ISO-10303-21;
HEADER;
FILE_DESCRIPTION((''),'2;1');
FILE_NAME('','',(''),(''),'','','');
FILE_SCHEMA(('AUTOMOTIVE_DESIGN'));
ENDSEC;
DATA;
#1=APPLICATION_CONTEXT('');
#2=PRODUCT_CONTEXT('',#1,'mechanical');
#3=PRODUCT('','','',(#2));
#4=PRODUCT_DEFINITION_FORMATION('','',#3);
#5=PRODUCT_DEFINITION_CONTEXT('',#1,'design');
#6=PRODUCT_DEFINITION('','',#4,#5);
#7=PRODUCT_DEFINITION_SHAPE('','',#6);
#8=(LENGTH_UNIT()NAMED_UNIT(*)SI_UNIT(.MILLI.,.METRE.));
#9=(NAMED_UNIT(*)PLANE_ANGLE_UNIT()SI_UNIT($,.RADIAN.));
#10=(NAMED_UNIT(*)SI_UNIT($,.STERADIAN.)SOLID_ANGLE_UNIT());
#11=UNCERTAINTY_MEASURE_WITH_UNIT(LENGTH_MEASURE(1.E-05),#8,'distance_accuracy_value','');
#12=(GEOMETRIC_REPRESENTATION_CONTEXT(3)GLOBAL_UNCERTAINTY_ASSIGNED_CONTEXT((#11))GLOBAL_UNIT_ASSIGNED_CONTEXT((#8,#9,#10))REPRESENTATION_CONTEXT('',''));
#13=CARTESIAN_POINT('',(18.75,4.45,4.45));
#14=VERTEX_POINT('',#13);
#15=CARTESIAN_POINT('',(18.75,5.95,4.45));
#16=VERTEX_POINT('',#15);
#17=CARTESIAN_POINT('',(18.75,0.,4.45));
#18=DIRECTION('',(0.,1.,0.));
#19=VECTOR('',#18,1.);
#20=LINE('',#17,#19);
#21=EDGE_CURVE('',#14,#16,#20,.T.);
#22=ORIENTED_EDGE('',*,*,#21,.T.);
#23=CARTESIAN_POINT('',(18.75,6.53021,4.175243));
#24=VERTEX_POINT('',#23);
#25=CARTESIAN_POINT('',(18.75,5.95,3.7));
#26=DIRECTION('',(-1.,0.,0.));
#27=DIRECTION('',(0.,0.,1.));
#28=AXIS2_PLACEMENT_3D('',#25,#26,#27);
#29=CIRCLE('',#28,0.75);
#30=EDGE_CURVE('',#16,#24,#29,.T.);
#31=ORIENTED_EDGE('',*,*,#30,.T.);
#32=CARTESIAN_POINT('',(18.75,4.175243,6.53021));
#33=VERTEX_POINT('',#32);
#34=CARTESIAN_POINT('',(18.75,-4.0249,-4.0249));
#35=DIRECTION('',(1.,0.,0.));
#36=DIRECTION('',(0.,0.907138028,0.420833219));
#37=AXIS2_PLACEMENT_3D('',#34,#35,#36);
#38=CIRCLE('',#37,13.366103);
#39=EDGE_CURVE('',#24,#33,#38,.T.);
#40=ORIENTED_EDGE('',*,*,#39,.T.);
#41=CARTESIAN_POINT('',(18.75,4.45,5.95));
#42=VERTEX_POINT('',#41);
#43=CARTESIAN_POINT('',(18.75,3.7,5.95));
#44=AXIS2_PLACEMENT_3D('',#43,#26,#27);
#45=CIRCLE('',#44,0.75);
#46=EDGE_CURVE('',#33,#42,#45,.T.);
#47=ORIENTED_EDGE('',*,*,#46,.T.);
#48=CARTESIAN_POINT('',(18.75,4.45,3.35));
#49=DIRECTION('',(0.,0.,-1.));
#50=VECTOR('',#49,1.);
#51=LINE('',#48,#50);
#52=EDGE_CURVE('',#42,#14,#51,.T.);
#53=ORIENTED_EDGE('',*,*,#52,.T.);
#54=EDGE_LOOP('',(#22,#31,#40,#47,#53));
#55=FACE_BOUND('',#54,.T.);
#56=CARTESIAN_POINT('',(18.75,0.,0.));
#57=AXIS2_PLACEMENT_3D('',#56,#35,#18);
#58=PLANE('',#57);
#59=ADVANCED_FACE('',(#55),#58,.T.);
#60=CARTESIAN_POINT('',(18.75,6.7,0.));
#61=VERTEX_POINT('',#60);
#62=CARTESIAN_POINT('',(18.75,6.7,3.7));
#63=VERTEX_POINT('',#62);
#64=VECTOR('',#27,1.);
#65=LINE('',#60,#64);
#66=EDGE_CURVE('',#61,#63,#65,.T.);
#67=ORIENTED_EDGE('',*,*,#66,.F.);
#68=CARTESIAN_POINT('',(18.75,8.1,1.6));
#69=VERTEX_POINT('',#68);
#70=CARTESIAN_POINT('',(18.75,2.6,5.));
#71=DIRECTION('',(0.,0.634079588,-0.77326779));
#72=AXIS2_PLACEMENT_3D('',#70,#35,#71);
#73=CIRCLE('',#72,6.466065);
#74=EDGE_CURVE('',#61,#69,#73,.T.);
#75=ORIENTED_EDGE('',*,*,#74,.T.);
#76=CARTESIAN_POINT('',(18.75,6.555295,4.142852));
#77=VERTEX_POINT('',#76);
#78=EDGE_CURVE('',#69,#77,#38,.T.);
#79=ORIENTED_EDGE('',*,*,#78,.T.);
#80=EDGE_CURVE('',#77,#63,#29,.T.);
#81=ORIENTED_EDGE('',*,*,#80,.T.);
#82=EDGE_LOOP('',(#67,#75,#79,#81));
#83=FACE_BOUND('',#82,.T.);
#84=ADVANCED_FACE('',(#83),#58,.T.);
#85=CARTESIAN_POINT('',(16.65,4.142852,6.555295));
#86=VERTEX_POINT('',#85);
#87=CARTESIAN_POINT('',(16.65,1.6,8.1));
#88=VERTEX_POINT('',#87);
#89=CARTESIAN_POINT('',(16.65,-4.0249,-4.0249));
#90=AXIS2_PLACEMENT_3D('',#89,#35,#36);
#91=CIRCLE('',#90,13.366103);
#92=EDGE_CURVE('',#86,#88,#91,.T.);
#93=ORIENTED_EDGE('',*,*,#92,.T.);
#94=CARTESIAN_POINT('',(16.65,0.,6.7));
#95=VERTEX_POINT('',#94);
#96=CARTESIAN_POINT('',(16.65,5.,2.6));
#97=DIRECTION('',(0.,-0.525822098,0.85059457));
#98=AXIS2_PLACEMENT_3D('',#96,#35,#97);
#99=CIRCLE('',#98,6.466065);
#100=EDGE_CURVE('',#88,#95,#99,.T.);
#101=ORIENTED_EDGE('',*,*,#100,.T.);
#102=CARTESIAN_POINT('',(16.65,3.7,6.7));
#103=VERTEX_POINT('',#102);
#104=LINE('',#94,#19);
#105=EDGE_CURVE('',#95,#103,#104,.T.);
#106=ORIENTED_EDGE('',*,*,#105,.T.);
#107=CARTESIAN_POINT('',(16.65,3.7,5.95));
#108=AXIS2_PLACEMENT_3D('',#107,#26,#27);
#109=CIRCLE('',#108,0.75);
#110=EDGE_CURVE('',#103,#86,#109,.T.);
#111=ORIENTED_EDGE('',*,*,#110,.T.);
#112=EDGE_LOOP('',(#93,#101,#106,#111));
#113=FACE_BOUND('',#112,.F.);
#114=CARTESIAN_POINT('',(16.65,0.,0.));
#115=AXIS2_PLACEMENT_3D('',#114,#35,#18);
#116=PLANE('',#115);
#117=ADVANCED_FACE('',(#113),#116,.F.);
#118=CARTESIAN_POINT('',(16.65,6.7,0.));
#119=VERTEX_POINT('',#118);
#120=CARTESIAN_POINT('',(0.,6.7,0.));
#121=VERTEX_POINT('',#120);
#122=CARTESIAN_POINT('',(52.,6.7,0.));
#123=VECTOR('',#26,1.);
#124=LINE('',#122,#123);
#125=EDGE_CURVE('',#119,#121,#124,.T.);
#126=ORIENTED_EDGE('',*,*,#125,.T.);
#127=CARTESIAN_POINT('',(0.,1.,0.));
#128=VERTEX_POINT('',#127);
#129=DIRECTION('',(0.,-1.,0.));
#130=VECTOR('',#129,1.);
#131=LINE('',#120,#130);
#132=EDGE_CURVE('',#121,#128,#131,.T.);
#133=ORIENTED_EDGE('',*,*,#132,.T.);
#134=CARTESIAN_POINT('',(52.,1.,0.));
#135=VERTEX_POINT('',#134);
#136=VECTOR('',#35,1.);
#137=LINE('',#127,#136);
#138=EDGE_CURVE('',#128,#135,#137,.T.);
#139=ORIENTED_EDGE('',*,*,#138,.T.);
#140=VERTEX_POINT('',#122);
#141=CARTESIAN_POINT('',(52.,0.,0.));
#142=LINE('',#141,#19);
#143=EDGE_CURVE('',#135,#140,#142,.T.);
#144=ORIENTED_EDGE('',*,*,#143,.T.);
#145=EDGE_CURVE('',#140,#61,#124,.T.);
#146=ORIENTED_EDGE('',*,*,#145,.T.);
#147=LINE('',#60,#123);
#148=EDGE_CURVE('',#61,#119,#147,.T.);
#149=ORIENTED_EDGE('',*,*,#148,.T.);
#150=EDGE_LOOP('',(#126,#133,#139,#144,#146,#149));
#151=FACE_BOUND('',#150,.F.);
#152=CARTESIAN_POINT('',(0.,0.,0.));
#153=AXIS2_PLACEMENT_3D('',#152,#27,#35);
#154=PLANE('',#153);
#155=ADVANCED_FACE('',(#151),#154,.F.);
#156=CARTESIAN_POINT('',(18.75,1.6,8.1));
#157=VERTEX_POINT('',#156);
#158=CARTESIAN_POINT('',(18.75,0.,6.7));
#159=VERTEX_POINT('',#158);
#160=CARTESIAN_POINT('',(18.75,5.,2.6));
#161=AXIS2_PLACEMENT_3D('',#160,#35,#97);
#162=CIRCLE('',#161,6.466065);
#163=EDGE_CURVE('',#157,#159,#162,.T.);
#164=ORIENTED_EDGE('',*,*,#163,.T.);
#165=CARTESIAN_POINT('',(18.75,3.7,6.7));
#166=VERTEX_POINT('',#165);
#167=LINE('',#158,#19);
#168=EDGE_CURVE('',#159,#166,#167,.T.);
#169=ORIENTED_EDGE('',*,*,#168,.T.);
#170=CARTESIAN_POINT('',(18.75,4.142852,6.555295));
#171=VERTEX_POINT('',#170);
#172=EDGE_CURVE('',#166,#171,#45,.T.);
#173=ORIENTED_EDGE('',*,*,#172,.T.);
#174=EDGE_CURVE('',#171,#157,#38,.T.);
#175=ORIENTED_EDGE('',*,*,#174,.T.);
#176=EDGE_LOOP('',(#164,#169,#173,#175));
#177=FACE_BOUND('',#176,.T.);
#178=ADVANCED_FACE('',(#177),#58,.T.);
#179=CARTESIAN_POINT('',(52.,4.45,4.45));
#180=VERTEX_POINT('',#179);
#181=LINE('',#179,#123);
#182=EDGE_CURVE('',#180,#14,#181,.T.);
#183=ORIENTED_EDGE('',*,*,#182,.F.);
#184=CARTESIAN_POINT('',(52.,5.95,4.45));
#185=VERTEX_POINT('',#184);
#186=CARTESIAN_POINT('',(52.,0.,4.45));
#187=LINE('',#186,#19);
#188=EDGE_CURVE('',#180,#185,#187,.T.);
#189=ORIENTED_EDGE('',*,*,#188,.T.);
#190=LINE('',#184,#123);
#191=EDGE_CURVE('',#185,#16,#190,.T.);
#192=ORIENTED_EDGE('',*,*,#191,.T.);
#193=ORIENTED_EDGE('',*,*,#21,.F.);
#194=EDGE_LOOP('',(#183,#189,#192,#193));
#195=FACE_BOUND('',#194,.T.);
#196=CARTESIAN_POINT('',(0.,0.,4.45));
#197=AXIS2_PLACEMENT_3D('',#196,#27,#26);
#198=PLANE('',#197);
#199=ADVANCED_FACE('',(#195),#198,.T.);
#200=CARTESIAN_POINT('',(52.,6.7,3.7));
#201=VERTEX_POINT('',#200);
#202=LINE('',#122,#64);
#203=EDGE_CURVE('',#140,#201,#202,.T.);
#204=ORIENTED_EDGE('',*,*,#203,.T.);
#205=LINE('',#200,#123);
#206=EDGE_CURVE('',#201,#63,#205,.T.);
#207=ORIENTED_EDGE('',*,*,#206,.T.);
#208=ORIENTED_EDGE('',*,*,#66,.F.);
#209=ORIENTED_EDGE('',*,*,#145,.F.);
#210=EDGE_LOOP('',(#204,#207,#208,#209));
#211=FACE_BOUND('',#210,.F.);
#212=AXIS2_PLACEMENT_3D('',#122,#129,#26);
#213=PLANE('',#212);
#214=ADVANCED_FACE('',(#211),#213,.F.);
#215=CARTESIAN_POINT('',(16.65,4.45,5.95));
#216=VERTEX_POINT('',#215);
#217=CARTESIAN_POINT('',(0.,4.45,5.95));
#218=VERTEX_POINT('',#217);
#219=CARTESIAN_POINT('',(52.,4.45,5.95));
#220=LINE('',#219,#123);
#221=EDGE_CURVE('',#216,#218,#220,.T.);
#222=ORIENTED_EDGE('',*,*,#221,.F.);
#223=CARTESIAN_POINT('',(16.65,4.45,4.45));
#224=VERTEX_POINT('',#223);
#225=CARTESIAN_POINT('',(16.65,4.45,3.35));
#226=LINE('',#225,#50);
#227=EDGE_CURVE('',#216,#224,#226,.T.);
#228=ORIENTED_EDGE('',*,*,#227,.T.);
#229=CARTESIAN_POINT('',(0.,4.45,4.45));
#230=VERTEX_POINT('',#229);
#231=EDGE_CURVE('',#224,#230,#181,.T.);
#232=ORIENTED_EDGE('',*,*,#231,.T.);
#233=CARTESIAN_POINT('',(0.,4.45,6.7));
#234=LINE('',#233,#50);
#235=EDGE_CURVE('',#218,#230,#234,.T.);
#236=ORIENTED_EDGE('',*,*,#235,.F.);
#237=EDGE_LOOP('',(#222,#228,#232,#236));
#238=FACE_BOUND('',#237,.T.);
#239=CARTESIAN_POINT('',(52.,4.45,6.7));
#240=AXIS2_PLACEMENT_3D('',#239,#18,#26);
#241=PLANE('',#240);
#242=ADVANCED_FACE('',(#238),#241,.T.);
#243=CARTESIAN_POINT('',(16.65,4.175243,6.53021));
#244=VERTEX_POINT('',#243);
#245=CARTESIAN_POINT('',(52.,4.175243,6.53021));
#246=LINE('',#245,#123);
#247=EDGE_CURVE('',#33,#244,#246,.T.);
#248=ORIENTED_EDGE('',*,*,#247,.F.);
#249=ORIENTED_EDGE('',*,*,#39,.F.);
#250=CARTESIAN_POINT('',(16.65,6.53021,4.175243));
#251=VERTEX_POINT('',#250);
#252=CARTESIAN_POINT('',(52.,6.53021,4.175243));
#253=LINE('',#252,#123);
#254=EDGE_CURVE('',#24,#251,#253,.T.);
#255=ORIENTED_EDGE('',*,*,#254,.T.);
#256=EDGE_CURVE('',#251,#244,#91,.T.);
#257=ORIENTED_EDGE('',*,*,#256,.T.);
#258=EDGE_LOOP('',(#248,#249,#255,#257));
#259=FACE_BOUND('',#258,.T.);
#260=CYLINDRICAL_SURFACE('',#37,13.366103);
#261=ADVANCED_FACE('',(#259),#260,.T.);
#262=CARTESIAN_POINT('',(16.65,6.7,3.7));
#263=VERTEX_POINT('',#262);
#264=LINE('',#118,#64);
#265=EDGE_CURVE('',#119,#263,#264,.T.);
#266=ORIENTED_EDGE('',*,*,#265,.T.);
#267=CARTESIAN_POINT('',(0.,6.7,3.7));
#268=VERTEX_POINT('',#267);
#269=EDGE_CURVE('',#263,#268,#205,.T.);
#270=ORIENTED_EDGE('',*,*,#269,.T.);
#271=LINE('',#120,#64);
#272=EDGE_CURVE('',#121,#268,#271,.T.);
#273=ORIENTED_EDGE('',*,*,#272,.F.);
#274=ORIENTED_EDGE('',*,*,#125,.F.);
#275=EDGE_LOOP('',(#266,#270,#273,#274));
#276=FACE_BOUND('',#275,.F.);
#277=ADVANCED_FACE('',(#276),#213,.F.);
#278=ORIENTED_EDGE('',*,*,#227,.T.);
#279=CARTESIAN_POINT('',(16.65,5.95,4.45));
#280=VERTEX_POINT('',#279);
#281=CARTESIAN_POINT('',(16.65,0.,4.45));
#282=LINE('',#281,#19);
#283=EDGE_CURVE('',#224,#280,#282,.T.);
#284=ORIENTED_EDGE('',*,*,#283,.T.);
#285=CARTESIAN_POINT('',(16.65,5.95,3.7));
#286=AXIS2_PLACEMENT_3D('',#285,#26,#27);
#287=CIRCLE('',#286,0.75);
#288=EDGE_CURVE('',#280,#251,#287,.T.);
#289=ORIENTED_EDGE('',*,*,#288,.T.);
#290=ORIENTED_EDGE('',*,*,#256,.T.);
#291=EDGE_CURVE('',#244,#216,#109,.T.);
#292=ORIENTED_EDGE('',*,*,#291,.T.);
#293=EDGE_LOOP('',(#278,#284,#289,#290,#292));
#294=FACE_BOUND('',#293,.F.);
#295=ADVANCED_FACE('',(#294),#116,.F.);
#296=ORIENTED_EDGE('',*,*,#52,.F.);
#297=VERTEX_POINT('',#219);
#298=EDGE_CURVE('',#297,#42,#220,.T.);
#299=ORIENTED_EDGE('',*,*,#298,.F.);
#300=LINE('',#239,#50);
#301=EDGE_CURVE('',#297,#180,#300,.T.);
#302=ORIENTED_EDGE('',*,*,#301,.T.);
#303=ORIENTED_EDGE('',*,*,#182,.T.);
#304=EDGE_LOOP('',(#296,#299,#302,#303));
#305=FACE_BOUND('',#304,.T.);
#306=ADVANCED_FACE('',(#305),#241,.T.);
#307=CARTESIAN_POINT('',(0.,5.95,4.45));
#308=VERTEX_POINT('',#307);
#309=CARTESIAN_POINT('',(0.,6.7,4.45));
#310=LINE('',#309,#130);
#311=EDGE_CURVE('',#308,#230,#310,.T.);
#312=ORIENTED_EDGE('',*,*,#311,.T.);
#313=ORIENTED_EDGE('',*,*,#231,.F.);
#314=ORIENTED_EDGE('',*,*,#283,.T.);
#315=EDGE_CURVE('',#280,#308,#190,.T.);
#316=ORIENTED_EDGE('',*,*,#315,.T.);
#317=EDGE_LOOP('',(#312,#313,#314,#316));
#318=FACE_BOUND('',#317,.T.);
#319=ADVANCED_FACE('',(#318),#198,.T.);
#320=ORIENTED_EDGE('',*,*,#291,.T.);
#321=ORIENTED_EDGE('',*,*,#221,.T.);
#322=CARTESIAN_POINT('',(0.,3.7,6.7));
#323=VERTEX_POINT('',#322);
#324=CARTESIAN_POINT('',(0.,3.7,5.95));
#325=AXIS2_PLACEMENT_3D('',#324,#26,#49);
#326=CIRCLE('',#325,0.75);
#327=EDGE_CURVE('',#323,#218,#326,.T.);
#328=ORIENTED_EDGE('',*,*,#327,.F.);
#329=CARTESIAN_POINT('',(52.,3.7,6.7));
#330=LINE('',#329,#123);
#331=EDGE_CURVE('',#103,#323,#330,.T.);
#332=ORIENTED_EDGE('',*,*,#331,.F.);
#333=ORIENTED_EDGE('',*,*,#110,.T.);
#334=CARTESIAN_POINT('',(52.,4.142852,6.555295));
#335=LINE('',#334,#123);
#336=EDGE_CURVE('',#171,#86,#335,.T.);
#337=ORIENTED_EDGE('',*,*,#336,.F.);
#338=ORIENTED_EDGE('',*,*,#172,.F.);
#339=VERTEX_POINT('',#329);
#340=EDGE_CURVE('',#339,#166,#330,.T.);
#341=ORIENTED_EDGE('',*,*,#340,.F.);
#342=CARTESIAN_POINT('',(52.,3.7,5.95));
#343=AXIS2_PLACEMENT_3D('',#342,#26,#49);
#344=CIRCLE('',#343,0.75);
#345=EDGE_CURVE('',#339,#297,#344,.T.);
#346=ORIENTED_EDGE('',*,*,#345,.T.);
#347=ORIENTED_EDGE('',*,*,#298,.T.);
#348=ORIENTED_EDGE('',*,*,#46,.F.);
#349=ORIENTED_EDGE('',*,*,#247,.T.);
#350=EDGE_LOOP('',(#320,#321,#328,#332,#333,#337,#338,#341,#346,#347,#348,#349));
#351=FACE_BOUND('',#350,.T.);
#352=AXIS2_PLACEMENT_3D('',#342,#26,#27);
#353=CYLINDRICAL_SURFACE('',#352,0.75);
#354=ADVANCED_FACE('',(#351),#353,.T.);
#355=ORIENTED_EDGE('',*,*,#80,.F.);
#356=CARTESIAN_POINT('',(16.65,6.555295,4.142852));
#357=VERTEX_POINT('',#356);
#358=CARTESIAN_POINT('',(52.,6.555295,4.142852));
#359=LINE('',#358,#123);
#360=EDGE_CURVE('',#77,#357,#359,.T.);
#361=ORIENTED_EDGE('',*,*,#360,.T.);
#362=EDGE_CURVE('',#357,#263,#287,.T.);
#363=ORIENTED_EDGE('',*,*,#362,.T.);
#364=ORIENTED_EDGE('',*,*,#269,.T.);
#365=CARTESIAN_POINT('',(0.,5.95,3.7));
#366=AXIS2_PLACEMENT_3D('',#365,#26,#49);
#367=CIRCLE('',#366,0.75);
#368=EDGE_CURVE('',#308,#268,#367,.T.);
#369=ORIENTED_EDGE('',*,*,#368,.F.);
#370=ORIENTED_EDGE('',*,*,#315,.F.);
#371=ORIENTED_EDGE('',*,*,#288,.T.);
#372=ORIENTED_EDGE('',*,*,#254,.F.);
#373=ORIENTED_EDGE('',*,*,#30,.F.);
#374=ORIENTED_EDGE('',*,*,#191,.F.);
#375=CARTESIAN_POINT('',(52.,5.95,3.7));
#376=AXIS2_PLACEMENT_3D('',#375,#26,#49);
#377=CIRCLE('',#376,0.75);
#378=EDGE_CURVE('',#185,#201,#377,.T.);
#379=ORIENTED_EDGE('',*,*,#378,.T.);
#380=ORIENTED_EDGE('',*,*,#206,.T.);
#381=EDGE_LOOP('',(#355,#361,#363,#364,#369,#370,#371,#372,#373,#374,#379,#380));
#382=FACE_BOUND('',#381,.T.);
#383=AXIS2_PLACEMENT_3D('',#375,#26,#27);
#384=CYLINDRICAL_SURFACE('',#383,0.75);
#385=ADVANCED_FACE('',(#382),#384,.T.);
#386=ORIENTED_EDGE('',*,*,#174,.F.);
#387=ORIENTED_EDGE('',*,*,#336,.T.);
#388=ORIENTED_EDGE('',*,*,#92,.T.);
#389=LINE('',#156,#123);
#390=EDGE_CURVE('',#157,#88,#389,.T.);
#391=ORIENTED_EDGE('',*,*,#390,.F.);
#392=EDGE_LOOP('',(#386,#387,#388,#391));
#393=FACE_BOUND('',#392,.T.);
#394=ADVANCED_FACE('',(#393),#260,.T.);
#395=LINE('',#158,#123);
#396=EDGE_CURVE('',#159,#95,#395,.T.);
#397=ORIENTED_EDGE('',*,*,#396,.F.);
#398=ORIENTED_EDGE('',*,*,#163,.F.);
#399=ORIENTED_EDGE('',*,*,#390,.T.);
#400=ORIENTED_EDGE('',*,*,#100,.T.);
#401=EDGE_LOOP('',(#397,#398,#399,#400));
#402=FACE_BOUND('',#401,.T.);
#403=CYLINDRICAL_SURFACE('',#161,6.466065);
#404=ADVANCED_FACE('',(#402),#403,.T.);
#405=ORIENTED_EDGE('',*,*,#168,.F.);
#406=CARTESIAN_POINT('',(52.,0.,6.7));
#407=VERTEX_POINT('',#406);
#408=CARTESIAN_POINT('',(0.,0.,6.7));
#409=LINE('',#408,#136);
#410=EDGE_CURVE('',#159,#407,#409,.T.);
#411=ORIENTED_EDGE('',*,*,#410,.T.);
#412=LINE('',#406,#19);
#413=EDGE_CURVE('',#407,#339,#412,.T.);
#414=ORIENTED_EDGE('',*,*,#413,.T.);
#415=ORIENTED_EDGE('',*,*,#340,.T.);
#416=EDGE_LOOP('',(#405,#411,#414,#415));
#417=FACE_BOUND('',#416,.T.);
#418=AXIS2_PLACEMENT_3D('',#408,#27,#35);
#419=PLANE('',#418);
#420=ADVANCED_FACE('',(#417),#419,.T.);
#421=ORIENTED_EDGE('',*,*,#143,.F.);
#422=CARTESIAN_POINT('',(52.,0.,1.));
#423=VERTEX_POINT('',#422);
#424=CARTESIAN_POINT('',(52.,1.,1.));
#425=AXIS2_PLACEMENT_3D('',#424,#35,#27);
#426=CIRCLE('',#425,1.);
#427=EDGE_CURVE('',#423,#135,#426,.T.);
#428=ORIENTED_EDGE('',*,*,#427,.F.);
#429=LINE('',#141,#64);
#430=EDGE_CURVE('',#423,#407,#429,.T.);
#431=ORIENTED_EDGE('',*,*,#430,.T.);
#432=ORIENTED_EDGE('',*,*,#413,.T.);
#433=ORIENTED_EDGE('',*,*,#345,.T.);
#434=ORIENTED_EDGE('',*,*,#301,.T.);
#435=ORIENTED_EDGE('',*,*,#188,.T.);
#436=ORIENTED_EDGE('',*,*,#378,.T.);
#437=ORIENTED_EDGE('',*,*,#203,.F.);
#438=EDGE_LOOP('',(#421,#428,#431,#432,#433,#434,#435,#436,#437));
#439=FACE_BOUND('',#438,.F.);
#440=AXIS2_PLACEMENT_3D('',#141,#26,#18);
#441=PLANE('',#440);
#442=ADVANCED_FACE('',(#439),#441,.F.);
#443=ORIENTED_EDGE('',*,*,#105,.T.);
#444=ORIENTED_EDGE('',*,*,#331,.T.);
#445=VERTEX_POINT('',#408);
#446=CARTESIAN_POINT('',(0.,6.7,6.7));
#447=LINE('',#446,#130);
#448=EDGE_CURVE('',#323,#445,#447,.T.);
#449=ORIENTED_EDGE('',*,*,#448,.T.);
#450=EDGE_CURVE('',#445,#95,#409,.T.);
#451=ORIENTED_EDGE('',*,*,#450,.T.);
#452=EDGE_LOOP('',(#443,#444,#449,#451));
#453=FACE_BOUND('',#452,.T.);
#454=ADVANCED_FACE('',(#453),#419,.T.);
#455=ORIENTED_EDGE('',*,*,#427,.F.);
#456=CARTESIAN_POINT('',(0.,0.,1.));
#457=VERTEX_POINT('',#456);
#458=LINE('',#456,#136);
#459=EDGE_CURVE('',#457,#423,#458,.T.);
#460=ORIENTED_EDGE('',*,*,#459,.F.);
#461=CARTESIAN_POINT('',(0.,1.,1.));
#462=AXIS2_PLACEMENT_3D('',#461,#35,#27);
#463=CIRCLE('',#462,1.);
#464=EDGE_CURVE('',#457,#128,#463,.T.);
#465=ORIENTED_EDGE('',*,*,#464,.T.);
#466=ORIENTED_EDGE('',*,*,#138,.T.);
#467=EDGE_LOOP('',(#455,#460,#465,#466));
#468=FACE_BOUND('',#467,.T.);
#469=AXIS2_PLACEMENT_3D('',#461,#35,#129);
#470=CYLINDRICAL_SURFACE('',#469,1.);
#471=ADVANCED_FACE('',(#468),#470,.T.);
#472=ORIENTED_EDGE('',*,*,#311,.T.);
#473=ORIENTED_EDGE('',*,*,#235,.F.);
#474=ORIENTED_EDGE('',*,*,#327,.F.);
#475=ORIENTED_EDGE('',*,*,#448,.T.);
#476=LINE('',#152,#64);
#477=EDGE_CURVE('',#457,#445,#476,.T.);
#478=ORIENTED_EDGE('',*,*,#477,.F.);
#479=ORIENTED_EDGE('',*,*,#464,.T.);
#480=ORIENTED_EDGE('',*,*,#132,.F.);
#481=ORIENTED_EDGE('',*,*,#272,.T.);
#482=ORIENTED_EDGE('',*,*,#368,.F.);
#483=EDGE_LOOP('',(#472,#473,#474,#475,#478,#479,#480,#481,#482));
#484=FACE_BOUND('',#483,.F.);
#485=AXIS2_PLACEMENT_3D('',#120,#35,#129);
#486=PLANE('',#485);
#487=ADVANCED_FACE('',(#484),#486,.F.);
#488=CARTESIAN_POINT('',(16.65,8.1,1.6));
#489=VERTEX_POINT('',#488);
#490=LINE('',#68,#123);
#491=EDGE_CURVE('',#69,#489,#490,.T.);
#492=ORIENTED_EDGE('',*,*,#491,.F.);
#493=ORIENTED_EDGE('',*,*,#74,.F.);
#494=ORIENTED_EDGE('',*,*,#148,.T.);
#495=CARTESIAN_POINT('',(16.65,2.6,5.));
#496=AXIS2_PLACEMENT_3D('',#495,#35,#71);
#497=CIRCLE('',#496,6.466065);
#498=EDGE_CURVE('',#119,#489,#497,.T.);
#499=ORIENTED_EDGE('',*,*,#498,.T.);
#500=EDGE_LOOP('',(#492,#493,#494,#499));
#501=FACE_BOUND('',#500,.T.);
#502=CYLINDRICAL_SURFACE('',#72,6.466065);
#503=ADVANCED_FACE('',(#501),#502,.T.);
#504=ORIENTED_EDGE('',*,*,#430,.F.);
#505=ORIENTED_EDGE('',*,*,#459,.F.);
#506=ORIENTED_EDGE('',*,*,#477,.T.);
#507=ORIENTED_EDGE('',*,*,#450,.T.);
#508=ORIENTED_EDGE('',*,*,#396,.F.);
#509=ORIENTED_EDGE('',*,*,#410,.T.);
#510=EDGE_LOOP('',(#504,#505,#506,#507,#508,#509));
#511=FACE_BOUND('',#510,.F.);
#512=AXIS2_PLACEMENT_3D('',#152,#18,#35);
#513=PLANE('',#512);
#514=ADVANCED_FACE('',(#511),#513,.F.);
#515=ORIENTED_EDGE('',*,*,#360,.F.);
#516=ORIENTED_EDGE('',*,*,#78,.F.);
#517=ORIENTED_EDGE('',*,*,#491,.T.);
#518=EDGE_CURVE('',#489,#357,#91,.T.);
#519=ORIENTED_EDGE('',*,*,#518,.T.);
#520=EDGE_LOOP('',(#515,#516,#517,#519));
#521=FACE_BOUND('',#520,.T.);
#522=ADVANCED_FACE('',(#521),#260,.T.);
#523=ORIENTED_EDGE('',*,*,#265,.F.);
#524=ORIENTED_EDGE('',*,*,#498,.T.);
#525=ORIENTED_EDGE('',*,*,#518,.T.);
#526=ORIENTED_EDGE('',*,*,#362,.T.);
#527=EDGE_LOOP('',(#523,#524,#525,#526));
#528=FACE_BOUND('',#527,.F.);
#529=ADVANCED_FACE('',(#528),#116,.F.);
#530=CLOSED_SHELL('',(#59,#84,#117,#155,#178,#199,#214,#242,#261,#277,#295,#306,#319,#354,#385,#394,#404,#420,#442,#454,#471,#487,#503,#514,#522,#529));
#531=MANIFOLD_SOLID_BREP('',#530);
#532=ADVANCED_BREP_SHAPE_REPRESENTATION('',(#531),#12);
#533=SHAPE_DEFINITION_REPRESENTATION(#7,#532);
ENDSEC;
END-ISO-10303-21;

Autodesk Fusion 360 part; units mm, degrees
sketch "Sketch1" plane through (0, 0, 0) normal (0, 0, 1) x (1, 0, 0)
  line L0 (0, 0) -> (52, 0)
  line L1 (52, 0) -> (52, 6.7)
  line L2 (52, 6.7) -> (0, 6.7)
  line L3 (0, 6.7) -> (0, 0)
  dimension "d1" = 52
  dimension "d2" = 6.7
extrude "Extrude1" add sketch "Sketch1" along normal blind 6.7
sketch "Sketch2" plane through (0, 0, 6.7) normal (0, 0, 1) x (-1, 0, 0)
  line L0 (0, -6.7) -> (0, 0)
  line L1 (0, 0) -> (-52, 0)
  line L2 (-52, 0) -> (-52, -6.7)
  line L3 (-52, -6.7) -> (0, -6.7)
  line L4 (0, 0) -> (-52, 0)
  line L5 (-52, 0) -> (-52, -4.45)
  line L6 (-52, -4.45) -> (0, -4.45)
  line L7 (0, -4.45) -> (0, 0)
  dimension "d5" = 4.45
extrude "Extrude2" cut sketch "Sketch2" against normal blind 2.25 contours L0 L2 L3 L6
fillet "Fillet2" radius 0.75 2 edges at (26, 6.7, 4.45) (26, 4.45, 6.7)
fillet "Fillet3" radius 1 1 edges at (26, 0, 0)
ref_plane "WorkPlane2" through (18.75, 0, 0) normal (1, 0, 0) x (0, 1, 0)
sketch "Sketch8" plane through (18.75, 0, 0) normal (1, 0, 0) x (0, 1, 0)
  line L0 (4.45, 4.45) -> (6.7, 2.2) construction
  line L1 (4.45, 4.45) -> (2.1892, 6.7108) construction
  line L2 (0, 6.7) -> (1.6, 6.7) construction
  line L3 (6.7, 0) -> (6.7, 1.6) construction
  line L4 (6.7, 1.6) -> (8.1, 1.6) construction
  line L5 (1.6, 6.7) -> (1.6, 8.1) construction
  line L6 (4.45, 4.45) -> (7, 7) construction
  line L7 (5.575, 3.325) -> (8.1813, 5.9313) construction
  line L8 (3.3196, 5.5804) -> (5.5098, 7.7707) construction
  arc A0 (6.7, 0) -> (8.1, 1.6) centre (2.6, 5) ccw
  arc A1 (1.6, 8.1) -> (0, 6.7) centre (5, 2.6) ccw
  line L9 (0, 6.7) -> (6.7, 0)
  arc A2 (8.1, 1.6) -> (1.6, 8.1) centre (-4.0249, -4.0249) ccw
  dimension "d18" = 1.6
  dimension "d19" = 1.6
  dimension "d20" = 1.4
  dimension "d21" = 1.4
extrude "Extrude3" add sketch "Sketch8" against normal blind 2.1
